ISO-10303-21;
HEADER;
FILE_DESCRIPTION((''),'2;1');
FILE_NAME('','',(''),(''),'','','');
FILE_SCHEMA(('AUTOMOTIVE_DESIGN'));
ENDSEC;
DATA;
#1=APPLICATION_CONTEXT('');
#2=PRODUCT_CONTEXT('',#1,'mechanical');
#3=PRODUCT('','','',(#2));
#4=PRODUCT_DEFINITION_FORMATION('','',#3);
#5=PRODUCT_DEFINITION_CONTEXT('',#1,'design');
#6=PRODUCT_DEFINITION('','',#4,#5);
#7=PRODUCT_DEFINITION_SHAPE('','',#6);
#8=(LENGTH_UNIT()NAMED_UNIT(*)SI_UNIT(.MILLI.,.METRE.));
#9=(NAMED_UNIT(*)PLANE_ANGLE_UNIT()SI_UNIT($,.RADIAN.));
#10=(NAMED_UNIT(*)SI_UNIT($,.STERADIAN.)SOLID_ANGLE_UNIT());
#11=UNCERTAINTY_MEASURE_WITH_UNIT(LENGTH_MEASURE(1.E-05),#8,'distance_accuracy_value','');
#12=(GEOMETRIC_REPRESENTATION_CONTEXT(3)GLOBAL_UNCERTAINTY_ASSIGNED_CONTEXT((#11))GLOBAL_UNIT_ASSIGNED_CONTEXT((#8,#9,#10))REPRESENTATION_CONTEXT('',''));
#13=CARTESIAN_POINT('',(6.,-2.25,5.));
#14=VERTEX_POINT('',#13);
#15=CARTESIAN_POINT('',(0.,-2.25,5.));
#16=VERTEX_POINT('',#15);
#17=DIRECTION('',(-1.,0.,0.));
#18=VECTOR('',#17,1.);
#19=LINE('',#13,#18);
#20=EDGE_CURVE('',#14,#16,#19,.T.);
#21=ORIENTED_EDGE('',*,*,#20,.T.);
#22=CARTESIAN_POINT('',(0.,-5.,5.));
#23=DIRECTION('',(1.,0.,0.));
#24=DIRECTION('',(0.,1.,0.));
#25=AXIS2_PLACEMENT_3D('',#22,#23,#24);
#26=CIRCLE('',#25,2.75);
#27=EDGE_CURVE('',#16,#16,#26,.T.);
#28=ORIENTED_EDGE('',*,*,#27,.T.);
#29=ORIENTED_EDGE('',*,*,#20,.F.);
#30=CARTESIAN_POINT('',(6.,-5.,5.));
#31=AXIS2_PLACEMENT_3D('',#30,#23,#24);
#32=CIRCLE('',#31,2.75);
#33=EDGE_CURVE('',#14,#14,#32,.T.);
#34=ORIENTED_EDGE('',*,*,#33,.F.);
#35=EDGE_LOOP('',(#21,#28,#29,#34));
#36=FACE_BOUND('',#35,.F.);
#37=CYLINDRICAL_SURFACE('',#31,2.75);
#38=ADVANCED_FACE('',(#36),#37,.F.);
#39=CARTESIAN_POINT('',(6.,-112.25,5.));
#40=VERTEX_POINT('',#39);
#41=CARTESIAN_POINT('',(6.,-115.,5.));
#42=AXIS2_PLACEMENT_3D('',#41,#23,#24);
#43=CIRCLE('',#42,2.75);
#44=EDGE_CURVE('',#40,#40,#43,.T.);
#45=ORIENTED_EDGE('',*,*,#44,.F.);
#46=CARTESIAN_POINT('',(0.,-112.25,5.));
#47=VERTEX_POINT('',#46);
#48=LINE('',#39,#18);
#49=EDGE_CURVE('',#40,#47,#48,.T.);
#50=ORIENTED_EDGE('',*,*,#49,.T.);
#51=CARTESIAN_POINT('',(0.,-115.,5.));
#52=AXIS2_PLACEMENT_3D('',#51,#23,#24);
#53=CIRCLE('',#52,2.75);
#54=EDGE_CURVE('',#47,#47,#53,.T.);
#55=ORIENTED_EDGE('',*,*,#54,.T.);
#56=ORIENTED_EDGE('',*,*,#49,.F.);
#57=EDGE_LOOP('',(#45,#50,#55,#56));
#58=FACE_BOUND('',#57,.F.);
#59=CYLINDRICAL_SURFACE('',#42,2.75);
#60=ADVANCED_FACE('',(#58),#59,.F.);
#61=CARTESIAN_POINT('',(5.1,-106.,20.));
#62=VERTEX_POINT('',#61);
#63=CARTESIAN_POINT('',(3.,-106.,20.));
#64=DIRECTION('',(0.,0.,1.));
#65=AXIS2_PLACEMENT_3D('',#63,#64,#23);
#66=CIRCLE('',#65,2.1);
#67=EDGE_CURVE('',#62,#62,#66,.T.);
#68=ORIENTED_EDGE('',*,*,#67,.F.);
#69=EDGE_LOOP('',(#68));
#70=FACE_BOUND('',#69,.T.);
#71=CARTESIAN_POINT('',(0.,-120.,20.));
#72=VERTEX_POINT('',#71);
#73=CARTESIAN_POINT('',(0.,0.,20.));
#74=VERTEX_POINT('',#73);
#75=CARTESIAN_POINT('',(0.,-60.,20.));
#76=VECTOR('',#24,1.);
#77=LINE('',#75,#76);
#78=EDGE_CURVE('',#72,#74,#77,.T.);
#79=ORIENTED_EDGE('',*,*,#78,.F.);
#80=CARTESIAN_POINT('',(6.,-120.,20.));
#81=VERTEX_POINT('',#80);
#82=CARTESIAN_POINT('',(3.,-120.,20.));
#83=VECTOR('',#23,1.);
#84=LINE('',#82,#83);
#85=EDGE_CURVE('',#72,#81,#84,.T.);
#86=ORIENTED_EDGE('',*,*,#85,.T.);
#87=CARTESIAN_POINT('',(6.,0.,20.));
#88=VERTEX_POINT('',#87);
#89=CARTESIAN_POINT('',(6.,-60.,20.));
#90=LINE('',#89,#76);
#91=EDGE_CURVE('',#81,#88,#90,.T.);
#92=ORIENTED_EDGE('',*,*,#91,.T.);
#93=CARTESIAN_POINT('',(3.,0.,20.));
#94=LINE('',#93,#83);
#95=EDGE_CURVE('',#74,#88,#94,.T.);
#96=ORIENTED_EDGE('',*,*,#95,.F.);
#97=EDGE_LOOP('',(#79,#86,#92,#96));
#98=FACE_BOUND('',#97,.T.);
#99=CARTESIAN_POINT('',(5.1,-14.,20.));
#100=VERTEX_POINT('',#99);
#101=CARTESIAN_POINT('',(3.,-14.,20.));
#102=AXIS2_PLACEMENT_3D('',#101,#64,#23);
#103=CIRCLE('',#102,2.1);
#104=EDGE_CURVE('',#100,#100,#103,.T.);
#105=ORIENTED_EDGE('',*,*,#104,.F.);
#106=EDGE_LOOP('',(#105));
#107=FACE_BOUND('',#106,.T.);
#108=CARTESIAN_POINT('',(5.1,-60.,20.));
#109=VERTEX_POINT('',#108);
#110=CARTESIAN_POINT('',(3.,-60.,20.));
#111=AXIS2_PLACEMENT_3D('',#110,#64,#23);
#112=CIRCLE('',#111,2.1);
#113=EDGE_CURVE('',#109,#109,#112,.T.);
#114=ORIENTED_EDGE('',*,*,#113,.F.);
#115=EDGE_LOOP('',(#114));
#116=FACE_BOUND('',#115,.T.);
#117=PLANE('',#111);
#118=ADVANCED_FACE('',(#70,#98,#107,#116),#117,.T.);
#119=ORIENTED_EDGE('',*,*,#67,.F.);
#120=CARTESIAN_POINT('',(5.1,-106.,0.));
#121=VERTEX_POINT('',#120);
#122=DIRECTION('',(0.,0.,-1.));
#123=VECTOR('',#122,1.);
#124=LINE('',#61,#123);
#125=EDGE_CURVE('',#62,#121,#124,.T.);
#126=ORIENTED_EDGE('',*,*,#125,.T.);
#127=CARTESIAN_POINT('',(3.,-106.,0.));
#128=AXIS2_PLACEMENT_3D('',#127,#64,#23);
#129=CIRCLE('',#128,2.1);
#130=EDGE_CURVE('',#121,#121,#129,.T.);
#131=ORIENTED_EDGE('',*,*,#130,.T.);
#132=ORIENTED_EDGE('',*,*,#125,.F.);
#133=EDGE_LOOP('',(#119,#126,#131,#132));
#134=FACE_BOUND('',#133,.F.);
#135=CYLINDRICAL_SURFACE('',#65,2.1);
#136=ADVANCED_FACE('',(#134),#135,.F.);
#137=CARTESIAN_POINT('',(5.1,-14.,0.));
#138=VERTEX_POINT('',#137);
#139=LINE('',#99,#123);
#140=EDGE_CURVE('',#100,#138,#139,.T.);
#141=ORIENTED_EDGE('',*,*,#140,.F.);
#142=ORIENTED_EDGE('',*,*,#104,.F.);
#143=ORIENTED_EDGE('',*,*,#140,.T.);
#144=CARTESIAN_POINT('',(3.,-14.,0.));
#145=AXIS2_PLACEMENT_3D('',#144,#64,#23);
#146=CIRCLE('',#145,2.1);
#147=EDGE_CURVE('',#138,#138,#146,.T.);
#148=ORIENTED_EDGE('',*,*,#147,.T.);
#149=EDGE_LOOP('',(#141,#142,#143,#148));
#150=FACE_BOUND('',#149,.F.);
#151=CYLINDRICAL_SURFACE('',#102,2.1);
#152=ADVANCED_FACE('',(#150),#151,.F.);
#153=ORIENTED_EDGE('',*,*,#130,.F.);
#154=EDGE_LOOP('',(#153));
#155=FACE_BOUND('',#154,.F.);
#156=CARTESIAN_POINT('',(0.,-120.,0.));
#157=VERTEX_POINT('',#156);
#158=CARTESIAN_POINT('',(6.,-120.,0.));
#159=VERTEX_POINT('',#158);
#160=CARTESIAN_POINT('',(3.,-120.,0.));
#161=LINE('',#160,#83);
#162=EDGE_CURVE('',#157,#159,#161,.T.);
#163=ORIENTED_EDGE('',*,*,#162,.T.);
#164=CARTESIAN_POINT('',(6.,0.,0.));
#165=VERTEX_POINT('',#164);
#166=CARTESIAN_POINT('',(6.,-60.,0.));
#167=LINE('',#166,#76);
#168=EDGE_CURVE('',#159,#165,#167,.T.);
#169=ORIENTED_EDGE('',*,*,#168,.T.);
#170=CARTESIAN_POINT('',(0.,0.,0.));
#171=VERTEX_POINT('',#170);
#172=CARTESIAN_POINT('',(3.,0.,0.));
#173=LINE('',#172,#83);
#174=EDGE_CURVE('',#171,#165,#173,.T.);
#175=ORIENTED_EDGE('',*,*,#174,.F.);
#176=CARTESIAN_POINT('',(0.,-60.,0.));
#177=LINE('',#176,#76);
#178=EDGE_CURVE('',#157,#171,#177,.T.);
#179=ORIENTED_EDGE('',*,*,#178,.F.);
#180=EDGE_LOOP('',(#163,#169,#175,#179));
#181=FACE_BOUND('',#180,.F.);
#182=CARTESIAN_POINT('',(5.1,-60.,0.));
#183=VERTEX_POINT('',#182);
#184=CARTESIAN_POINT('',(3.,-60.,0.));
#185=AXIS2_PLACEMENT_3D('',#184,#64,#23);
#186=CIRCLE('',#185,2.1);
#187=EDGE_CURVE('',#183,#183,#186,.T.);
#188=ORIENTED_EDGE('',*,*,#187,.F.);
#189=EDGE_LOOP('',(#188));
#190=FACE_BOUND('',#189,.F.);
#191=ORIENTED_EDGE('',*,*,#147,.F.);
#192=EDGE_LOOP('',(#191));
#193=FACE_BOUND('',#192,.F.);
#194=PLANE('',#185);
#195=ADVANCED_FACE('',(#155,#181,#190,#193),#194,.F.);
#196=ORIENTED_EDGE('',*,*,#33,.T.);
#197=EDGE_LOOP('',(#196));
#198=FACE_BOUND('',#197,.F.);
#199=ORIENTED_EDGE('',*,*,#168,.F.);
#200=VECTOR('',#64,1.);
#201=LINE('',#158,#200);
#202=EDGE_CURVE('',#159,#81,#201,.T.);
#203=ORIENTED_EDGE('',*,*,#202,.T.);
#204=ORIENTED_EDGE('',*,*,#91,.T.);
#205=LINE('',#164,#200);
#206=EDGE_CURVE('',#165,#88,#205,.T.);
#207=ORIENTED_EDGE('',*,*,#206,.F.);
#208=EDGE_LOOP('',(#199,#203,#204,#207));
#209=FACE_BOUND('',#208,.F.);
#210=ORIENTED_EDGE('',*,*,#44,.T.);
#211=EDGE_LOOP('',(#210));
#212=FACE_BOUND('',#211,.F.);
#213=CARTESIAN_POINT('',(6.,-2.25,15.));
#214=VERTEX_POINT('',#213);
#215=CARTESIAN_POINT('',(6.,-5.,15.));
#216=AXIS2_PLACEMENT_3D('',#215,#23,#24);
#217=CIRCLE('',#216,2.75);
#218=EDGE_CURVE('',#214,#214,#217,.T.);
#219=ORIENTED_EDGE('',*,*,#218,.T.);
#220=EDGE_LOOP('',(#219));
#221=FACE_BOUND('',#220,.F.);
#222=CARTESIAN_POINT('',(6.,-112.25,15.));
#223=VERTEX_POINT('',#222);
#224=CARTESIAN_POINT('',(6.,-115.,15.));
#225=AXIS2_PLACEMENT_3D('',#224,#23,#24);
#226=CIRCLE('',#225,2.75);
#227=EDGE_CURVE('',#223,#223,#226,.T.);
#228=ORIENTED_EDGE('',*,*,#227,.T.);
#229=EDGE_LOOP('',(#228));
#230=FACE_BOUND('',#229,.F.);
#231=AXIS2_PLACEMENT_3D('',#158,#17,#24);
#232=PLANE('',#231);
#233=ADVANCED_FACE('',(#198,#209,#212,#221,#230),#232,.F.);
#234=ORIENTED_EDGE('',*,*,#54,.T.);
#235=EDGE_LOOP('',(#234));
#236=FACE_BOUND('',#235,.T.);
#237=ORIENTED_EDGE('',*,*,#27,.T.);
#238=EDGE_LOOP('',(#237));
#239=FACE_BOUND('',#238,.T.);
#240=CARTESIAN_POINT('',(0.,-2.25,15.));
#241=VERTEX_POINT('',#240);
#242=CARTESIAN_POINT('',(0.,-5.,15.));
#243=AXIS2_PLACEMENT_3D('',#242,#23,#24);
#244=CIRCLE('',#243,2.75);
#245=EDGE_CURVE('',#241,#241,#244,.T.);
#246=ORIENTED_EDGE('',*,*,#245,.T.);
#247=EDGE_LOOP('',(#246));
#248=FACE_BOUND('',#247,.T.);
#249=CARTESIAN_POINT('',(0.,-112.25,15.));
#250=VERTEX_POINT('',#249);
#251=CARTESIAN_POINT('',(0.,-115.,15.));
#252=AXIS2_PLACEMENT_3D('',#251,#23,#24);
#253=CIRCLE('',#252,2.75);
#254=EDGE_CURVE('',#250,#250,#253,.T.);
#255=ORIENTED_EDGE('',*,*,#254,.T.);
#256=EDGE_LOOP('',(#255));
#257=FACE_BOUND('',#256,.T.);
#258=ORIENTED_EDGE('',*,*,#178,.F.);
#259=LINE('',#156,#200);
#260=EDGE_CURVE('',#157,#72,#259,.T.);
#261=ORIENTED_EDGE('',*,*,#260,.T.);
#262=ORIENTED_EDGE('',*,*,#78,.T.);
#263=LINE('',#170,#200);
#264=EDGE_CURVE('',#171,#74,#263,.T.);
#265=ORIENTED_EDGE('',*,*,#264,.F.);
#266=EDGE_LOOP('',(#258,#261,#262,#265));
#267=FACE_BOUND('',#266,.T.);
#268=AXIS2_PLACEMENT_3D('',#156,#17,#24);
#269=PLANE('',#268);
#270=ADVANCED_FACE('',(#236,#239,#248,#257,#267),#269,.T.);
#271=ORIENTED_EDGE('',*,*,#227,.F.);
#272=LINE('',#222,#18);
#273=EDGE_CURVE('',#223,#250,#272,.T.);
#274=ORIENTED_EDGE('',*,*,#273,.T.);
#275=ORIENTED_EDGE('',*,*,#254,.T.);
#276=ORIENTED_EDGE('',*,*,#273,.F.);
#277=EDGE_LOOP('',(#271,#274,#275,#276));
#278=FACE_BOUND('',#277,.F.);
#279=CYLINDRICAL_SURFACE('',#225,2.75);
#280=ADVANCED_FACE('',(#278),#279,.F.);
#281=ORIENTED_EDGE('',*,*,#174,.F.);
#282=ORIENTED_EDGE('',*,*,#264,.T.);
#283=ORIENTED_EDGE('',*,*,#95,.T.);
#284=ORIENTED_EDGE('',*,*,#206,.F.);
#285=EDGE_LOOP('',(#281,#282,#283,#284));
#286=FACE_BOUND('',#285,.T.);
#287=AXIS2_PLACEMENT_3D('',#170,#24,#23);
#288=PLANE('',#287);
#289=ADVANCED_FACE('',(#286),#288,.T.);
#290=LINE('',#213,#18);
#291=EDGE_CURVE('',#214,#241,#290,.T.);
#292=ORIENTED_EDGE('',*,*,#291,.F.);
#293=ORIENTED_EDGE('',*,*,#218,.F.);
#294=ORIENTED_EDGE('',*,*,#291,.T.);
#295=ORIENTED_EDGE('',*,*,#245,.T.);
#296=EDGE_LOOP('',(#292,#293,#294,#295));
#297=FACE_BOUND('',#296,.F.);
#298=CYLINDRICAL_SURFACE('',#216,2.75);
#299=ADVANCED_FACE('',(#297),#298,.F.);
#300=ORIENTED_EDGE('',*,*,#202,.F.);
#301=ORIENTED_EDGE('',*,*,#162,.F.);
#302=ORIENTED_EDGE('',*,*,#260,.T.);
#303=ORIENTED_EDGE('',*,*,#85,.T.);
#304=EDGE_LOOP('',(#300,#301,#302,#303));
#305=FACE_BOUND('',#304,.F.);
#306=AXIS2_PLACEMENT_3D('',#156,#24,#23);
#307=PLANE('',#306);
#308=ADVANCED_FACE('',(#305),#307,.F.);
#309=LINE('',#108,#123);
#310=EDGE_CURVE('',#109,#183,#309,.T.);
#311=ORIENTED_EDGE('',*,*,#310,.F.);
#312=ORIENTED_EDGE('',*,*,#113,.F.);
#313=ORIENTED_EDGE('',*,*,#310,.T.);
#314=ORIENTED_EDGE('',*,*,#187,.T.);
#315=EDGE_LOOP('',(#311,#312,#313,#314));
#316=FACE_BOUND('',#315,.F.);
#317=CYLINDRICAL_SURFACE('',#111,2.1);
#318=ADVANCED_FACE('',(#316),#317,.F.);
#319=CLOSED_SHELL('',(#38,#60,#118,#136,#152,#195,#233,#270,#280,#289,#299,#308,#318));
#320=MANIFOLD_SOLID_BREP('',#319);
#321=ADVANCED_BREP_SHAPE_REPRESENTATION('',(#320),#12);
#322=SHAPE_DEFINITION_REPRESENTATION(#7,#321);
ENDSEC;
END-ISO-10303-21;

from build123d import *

# Parameters (mm, degrees)
F0_W     = 6
F0_H     = 120
F1_DEPTH = 20
F2_R     = 2.1
F3_DEPTH = 20
F4_R     = 2.75
F5_DEPTH = 25


with BuildPart() as f1:
    # F0 (on Top) → F1 (new body)
    with BuildSketch(Plane.XY):
        with Locations((3, -60)):
            Rectangle(F0_W, F0_H)
    extrude(amount=F1_DEPTH)

    # F2 (on face) → F3 (cut)
    with BuildSketch(Plane.XY.offset(20)):
        with Locations((3, -14)):
            Circle(F2_R)
        with Locations((3, -106)):
            Circle(F2_R)
        with Locations((3, -60)):
            Circle(F2_R)
    extrude(amount=-F3_DEPTH, mode=Mode.SUBTRACT)

    # F4 (on face) → F5 (cut)
    with BuildSketch(Plane.YZ.offset(6)):
        with Locations((-115, 15)):
            Circle(F4_R)
        with Locations((-115, 5)):
            Circle(F4_R)
        with Locations((-5, 5)):
            Circle(F4_R)
        with Locations((-5, 15)):
            Circle(F4_R)
    extrude(amount=-F5_DEPTH, mode=Mode.SUBTRACT)


solid = f1.part
